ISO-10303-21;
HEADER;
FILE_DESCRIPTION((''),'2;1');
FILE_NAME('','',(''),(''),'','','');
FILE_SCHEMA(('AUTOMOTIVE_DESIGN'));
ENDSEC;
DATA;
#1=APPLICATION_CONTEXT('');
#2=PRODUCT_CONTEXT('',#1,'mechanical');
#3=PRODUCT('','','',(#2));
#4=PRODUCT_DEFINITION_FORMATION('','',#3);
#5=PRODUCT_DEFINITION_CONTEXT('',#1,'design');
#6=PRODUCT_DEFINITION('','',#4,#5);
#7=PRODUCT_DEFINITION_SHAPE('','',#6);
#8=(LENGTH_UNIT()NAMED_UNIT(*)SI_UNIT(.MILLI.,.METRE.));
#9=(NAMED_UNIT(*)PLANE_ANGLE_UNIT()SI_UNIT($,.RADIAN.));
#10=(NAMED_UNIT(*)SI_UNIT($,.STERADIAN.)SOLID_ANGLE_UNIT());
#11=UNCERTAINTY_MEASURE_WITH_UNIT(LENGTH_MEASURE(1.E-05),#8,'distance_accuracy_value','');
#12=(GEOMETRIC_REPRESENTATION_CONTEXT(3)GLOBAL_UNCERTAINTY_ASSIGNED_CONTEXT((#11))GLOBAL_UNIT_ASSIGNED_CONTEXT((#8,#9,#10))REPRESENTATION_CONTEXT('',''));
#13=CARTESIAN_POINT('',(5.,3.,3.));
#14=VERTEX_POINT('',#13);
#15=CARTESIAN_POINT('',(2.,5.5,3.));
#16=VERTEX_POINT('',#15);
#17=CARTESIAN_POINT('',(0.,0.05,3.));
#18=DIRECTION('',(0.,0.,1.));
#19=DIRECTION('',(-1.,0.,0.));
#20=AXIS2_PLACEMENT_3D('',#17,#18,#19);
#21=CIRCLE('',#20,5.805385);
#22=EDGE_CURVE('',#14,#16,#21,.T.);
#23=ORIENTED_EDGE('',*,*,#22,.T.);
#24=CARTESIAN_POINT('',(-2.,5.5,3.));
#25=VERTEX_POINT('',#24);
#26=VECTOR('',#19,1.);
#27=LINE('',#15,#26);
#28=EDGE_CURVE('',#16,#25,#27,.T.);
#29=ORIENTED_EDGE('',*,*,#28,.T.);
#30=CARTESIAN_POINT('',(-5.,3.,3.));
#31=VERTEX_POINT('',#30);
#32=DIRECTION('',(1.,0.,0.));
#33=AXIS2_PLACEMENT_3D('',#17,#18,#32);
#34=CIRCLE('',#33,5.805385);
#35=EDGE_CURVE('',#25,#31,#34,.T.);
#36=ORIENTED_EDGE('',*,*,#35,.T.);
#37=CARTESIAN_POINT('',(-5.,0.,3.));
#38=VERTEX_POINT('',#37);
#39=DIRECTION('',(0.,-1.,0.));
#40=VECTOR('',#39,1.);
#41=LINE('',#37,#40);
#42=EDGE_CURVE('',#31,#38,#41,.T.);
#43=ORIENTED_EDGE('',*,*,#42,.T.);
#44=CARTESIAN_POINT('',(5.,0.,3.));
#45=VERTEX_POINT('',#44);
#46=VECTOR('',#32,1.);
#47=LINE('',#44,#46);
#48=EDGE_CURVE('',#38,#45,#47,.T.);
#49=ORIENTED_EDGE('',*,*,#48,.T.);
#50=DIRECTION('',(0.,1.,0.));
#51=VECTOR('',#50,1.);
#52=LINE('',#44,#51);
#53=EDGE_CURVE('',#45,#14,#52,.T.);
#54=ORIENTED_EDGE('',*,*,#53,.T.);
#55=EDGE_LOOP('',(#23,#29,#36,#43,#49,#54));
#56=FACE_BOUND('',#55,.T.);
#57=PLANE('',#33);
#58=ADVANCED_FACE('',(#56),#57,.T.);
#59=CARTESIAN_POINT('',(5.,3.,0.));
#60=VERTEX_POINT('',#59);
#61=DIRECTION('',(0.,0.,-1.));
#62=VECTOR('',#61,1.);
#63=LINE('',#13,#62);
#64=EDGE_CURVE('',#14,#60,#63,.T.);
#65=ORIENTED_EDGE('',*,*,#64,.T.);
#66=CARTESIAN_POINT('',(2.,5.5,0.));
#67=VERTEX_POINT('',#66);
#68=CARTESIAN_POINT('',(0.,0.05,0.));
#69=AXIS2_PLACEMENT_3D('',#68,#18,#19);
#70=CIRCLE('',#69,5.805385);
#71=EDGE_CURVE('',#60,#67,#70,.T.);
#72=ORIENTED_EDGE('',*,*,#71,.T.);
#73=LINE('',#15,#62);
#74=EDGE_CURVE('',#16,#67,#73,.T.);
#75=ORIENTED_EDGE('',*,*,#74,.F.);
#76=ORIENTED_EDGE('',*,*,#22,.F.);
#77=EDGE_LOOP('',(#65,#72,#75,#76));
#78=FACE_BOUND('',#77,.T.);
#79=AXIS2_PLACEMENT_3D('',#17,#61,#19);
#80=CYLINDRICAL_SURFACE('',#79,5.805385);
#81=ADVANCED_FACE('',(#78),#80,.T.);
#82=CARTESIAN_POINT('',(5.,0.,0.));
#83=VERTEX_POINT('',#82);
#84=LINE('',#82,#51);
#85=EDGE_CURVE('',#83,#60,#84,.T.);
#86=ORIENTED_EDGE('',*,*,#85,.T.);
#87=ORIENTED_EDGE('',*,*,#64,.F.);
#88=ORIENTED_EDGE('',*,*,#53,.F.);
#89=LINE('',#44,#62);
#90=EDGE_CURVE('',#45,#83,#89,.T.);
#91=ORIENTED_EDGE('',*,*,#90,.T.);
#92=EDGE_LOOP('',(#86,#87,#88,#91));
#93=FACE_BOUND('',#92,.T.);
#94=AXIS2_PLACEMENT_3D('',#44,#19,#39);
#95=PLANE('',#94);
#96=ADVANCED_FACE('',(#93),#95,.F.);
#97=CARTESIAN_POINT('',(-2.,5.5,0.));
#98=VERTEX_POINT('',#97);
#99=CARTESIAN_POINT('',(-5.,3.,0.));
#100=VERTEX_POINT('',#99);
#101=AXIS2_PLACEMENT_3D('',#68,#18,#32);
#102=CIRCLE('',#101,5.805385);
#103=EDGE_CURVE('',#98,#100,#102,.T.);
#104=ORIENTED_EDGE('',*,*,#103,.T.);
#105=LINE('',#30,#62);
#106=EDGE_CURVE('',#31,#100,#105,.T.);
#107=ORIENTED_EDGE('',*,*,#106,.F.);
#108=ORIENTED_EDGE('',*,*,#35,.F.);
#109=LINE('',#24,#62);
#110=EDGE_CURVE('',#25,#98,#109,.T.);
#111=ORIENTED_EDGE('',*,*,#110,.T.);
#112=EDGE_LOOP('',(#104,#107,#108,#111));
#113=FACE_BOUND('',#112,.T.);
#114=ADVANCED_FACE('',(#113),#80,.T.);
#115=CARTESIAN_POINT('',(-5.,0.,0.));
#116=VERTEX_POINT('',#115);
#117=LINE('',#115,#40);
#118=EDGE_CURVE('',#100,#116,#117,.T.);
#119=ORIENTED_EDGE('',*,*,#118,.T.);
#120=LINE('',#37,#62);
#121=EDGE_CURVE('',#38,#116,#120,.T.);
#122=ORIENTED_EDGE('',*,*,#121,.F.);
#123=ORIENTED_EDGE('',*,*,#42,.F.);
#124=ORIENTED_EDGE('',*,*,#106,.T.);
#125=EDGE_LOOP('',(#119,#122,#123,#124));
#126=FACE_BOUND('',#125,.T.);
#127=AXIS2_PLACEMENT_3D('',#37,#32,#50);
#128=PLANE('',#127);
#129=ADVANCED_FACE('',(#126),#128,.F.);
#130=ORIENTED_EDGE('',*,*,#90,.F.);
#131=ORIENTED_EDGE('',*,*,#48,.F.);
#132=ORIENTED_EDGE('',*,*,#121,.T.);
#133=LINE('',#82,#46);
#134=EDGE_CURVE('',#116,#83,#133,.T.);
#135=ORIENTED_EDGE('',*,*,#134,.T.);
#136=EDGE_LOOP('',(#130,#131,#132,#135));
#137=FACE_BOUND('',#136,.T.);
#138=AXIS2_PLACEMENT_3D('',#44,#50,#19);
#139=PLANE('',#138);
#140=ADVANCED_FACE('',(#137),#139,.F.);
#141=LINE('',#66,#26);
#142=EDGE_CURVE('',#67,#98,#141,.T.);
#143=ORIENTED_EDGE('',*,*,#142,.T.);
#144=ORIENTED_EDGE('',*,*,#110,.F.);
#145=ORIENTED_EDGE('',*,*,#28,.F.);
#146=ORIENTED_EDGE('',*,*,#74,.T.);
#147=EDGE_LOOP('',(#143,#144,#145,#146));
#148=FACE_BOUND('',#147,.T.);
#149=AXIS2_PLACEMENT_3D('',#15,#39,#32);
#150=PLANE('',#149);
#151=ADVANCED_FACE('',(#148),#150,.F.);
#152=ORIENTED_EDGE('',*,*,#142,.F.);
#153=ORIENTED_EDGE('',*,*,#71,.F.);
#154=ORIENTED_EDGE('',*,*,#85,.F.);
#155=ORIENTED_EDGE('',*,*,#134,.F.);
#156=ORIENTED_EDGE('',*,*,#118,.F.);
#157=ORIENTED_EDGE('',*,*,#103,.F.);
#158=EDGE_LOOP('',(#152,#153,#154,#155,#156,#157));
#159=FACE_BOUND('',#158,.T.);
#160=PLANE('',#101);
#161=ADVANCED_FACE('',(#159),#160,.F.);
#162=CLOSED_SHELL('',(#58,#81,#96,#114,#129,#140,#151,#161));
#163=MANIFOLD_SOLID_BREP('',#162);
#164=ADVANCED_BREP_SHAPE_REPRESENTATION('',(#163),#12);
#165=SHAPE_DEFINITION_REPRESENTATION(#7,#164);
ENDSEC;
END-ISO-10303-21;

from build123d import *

# Parameters (mm, degrees)
BOSS_EXTRUDE1_DEPTH = 3


with BuildPart() as part:
    # Sketch1 → Boss-Extrude1 (new body)
    with BuildSketch(Plane.XY):
        with BuildLine():
            Line((5, 0), (-5, 0))
            Line((-5, 0), (-5, 3))
            ThreePointArc((-5, 3), (-3.716517187, 4.509820624), (-2, 5.5))
            Line((-2, 5.5), (2, 5.5))
            ThreePointArc((2, 5.5), (3.716517187, 4.509820624), (5, 3))
            Line((5, 3), (5, 0))
        make_face()
    extrude(amount=BOSS_EXTRUDE1_DEPTH)


solid = part.part
